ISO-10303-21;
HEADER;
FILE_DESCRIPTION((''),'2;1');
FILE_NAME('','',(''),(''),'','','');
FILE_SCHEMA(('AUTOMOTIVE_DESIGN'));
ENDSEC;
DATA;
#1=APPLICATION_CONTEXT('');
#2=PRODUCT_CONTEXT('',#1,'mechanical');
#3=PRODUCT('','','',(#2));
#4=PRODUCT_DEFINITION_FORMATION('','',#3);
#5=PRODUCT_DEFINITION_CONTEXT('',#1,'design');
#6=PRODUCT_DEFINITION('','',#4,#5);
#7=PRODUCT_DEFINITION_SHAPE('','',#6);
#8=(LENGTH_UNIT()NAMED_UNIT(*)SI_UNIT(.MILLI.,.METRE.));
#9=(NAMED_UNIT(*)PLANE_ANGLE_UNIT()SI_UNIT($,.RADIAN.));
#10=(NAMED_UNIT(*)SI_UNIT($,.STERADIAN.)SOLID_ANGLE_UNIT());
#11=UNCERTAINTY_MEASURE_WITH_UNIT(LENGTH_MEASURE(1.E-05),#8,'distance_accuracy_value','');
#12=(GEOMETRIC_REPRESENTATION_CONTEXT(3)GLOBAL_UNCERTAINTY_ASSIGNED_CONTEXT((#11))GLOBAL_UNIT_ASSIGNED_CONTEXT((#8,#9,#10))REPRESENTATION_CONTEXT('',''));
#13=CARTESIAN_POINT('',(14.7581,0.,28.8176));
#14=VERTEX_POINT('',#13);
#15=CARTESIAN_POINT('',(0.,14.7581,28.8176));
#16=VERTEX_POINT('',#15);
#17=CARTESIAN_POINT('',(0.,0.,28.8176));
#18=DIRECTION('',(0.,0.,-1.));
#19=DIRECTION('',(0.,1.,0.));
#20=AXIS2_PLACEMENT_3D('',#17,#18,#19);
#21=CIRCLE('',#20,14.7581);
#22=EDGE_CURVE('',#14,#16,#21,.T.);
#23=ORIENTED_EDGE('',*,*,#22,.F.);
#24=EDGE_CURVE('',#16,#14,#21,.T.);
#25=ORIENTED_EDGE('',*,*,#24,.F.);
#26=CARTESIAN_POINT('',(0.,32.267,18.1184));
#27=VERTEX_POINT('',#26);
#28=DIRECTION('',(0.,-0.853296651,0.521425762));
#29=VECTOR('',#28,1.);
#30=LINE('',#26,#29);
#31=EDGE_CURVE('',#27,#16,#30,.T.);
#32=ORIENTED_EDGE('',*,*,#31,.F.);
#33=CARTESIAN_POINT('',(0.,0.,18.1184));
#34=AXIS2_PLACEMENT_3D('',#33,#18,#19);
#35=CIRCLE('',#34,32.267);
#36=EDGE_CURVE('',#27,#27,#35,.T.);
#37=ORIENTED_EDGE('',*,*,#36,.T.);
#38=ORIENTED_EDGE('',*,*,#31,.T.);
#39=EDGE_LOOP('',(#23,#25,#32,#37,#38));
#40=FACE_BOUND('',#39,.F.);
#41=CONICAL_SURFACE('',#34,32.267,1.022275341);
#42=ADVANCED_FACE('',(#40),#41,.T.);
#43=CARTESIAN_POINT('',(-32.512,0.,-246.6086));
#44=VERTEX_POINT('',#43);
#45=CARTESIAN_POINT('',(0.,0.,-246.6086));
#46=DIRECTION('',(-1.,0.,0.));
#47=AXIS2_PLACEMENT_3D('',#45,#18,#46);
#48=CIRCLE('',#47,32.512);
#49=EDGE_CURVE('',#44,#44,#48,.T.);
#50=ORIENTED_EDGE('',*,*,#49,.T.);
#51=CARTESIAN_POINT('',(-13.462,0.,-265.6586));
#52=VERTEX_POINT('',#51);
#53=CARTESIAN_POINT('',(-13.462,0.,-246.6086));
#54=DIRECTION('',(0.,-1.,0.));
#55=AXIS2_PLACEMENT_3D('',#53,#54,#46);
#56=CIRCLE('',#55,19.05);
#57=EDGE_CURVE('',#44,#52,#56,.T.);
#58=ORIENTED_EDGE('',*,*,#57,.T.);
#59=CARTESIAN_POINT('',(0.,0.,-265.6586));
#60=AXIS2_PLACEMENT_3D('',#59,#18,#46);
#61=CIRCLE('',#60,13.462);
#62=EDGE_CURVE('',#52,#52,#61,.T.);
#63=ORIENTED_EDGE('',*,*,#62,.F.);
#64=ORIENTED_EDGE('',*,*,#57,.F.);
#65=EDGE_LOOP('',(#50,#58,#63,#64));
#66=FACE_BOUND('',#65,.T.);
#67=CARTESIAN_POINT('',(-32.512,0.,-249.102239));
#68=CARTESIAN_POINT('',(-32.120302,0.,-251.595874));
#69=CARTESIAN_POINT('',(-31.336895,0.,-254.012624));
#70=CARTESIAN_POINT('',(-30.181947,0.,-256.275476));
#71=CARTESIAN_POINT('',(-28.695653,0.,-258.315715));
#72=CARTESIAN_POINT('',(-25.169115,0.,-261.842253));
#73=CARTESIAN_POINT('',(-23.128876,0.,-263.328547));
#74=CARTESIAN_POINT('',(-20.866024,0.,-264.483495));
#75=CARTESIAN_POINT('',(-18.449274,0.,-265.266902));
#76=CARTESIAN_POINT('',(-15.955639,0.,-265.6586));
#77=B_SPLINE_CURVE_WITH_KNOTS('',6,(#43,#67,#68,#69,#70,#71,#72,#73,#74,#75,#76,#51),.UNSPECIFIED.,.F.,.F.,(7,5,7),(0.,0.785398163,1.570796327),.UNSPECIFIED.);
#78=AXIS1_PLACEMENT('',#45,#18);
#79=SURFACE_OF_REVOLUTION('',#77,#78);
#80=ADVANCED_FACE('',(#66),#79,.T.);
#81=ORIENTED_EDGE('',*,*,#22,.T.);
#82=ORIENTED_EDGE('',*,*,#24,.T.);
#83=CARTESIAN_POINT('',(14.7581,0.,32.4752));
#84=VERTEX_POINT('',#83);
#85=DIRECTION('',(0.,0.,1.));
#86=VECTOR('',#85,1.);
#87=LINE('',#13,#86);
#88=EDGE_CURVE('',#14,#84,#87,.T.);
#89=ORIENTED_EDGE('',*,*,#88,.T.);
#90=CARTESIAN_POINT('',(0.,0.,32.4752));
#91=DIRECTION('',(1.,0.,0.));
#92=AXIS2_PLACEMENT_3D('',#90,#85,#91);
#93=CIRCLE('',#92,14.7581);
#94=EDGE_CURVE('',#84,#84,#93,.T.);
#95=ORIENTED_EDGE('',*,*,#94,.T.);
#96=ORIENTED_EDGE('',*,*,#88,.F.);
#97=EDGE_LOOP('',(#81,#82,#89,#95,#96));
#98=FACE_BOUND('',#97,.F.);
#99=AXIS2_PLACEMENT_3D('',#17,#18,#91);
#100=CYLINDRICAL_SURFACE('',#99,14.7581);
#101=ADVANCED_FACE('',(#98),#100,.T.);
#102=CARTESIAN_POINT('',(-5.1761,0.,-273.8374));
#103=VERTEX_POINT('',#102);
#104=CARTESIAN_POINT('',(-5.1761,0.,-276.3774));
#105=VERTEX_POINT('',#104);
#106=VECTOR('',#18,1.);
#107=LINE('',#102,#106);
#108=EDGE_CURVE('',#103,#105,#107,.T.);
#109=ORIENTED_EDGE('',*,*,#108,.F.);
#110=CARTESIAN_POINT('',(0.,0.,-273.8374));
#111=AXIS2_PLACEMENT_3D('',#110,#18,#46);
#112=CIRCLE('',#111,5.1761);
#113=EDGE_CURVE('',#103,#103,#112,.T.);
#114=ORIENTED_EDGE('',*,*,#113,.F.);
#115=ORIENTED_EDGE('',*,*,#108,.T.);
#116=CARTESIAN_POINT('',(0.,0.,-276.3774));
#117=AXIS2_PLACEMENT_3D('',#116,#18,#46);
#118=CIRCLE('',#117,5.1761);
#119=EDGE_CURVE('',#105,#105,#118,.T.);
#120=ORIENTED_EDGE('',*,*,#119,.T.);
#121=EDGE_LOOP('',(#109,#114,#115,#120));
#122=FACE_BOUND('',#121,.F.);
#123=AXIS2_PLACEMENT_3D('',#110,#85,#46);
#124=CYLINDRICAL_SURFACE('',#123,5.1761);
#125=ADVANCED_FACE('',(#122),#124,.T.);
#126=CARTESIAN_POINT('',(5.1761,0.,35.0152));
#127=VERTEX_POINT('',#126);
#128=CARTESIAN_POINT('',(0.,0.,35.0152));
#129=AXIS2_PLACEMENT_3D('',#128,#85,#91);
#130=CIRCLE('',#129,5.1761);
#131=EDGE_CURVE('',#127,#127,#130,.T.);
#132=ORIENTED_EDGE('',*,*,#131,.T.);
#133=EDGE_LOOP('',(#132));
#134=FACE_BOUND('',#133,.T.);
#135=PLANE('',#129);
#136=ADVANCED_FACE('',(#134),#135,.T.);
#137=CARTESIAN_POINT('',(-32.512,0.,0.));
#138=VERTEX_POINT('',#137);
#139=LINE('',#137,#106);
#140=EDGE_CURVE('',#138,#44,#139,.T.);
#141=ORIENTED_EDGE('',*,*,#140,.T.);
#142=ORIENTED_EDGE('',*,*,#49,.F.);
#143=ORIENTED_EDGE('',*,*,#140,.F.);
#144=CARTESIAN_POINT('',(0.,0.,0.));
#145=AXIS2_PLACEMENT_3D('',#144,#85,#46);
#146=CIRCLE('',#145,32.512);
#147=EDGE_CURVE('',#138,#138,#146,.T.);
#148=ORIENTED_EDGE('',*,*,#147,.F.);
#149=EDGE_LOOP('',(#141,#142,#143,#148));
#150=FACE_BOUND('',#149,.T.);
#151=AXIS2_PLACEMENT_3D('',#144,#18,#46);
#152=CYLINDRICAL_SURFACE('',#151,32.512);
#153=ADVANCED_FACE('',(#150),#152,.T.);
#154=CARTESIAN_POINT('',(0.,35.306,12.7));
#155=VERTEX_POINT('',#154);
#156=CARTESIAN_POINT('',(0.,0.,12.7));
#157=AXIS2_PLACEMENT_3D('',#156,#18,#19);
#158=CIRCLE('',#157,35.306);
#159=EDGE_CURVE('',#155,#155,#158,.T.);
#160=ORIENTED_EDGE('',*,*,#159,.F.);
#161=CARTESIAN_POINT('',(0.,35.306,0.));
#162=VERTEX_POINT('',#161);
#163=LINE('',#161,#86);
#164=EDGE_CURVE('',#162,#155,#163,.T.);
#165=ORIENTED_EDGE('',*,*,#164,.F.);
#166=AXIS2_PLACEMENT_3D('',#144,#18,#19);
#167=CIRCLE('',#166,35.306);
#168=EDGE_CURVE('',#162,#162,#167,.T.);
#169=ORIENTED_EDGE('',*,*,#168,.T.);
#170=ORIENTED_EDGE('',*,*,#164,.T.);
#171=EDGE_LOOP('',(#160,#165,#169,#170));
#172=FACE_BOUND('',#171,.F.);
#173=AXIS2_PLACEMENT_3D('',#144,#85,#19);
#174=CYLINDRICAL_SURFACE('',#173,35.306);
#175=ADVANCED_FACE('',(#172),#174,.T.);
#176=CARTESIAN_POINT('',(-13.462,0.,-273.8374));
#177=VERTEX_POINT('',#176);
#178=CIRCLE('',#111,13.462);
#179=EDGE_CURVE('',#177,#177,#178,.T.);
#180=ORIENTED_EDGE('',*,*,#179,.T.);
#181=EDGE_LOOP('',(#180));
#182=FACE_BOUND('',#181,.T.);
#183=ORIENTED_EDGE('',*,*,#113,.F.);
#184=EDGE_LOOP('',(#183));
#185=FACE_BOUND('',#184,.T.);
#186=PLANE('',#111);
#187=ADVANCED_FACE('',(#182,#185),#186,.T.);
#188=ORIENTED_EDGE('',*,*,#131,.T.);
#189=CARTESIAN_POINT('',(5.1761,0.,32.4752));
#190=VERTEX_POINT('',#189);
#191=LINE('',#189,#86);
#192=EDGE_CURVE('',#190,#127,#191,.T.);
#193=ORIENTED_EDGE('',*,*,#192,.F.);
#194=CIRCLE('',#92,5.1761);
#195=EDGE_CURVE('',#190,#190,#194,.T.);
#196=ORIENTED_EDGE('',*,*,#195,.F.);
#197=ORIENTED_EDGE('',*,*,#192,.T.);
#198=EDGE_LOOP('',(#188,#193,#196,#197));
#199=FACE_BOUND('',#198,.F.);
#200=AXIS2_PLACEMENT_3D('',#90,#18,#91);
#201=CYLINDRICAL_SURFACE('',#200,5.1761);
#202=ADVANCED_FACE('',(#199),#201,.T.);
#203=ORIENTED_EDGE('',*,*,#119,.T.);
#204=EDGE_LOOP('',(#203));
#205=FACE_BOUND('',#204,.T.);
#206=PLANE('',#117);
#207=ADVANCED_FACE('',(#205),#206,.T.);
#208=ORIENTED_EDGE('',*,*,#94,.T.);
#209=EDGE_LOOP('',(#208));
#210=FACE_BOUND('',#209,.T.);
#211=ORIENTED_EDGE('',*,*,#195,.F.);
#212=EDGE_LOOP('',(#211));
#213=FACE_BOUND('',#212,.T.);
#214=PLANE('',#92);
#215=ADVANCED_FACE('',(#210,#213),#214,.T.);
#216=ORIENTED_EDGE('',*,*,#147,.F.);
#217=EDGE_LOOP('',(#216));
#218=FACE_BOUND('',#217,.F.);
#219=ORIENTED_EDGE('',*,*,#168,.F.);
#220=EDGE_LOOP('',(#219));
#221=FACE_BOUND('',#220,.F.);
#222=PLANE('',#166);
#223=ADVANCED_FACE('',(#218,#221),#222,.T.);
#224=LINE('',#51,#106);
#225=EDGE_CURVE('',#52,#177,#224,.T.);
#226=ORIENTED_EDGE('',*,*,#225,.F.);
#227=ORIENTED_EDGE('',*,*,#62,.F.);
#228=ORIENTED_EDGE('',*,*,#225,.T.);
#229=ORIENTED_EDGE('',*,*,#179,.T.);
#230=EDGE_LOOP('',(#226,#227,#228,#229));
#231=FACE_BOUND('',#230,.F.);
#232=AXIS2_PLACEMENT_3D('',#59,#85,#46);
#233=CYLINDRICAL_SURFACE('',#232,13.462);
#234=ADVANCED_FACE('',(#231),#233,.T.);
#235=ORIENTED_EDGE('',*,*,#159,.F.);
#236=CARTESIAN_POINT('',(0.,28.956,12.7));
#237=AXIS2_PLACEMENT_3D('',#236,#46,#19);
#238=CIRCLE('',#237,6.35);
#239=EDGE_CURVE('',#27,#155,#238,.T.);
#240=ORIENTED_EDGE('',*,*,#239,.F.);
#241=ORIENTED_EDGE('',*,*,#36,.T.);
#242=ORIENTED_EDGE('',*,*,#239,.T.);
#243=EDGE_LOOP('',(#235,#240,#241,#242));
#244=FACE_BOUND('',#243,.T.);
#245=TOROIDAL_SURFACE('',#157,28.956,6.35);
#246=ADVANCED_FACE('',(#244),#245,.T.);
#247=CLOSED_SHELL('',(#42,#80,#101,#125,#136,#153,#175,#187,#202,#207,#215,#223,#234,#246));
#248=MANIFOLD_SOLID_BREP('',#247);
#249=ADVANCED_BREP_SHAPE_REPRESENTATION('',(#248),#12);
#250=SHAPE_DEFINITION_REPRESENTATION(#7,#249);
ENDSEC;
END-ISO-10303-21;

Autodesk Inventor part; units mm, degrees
ref_plane "XZ Plane" through (0, 0, 0) normal (0, 1, 0) x (-1, 0, 0)
ref_plane "XY Plane" through (0, 0, 0) normal (0, 0, 1) x (1, 0, 0)
sketch "Sketch1" plane through (0, 0, 0) normal (0, 1, 0) x (-1, 0, 0)
  line L0 (0, 0) -> (0, -394.9191)
  line L1 (0, 0) -> (32.512, 0)
  line L2 (32.512, 0) -> (32.512, -265.6586)
  line L3 (32.512, -265.6586) -> (0, -265.6586)
  dimension "d0" = 32.512
  dimension "d1" = 265.6586
revolve "Revolution1" add sketch "Sketch1" angle 360 about axis through (0, 0, 0) along (0, 0, -1)
fillet "Fillet1" radius 19.05 1 edges at (32.512, 0, -265.6586)
sketch "Sketch2" plane through (0, 0, 0) normal (1, 0, 0) x (0, 1, 0)
  line L0 (0, 0) -> (35.306, 0)
  line L1 (-32.512, 0) -> (32.512, 0) projected
  line L2 (35.306, 0) -> (35.306, 19.05)
  line L3 (35.306, 19.05) -> (0, 19.05)
  line L4 (0, 19.05) -> (0, 0)
  dimension "d4" = 35.306
  dimension "d5" = 19.05
revolve "Revolution2" add sketch "Sketch2" angle 360 about axis through (0, 0, 19.05) along (0, 0, -1)
fillet "Fillet2" radius 6.35 1 edges at (0, -35.306, 19.05)
sketch "Sketch3" plane through (0, 0, 0) normal (1, 0, 0) x (0, 1, 0)
  arc A0 (35.306, 12.7) -> (28.956, 19.05) centre (28.956, 12.7) ccw projected
  line L0 (32.267, 18.1184) -> (14.7581, 28.8176)
  line L1 (14.7581, 28.8176) -> (0, 28.8176)
  line L2 (0, 28.8176) -> (0, 19.05)
  line L3 (-28.956, 19.05) -> (28.956, 19.05) projected
  point P0 (0, 0)
revolve "Revolution3" add sketch "Sketch3" angle 360 about axis through (0, 0, 28.8176) along (0, 0, -1)
sketch "Sketch4" plane through (0, 0, 28.8176) normal (0, 0, 1) x (1, 0, 0)
  circle A0 centre (0, 0) radius 14.7581 projected
extrude "Extrusion1" add sketch "Sketch4" along normal blind 3.6576
sketch "Sketch5" plane through (0, 0, -265.6586) normal (0, 0, -1) x (-1, 0, 0)
  circle A0 centre (0, 0) radius 13.462 projected
extrude "Extrusion2" add sketch "Sketch5" along normal blind 8.1788
sketch "Sketch6" plane through (0, 0, 32.4752) normal (0, 0, 1) x (1, 0, 0)
  circle A0 centre (0, 0) radius 14.7581 projected
  circle A1 centre (0, 0) radius 5.1761
extrude "Extrusion3" add sketch "Sketch6" along normal blind 2.54 contours A1
sketch "Sketch7" plane through (0, 0, -273.8374) normal (0, 0, -1) x (-1, 0, 0)
  circle A0 centre (0, 0) radius 5.1761 projected
extrude "Extrusion4" add sketch "Sketch7" along normal blind 2.54
ref_plane "Work Plane1" through (32.512, 0, -132.8293) normal (1, 0, 0) x (0, 1, 0)
sketch "Sketch8" plane through (32.512, 0, -132.8293) normal (1, 0, 0) x (0, 1, 0)
  line L0 (25.1645, 74.2307) -> (25.1645, -47.9866) construction
  line L1 (25.1645, -47.9866) -> (-21.6706, -47.9866) construction
  line L2 (-21.6706, -47.9866) -> (-21.6706, 74.2307) construction
  line L3 (-21.6706, 74.2307) -> (25.1645, 74.2307) construction
  point P0 (0, 132.8293)
decal "Decal1"
properties part number "AVT-PP-35" material "Steel"
